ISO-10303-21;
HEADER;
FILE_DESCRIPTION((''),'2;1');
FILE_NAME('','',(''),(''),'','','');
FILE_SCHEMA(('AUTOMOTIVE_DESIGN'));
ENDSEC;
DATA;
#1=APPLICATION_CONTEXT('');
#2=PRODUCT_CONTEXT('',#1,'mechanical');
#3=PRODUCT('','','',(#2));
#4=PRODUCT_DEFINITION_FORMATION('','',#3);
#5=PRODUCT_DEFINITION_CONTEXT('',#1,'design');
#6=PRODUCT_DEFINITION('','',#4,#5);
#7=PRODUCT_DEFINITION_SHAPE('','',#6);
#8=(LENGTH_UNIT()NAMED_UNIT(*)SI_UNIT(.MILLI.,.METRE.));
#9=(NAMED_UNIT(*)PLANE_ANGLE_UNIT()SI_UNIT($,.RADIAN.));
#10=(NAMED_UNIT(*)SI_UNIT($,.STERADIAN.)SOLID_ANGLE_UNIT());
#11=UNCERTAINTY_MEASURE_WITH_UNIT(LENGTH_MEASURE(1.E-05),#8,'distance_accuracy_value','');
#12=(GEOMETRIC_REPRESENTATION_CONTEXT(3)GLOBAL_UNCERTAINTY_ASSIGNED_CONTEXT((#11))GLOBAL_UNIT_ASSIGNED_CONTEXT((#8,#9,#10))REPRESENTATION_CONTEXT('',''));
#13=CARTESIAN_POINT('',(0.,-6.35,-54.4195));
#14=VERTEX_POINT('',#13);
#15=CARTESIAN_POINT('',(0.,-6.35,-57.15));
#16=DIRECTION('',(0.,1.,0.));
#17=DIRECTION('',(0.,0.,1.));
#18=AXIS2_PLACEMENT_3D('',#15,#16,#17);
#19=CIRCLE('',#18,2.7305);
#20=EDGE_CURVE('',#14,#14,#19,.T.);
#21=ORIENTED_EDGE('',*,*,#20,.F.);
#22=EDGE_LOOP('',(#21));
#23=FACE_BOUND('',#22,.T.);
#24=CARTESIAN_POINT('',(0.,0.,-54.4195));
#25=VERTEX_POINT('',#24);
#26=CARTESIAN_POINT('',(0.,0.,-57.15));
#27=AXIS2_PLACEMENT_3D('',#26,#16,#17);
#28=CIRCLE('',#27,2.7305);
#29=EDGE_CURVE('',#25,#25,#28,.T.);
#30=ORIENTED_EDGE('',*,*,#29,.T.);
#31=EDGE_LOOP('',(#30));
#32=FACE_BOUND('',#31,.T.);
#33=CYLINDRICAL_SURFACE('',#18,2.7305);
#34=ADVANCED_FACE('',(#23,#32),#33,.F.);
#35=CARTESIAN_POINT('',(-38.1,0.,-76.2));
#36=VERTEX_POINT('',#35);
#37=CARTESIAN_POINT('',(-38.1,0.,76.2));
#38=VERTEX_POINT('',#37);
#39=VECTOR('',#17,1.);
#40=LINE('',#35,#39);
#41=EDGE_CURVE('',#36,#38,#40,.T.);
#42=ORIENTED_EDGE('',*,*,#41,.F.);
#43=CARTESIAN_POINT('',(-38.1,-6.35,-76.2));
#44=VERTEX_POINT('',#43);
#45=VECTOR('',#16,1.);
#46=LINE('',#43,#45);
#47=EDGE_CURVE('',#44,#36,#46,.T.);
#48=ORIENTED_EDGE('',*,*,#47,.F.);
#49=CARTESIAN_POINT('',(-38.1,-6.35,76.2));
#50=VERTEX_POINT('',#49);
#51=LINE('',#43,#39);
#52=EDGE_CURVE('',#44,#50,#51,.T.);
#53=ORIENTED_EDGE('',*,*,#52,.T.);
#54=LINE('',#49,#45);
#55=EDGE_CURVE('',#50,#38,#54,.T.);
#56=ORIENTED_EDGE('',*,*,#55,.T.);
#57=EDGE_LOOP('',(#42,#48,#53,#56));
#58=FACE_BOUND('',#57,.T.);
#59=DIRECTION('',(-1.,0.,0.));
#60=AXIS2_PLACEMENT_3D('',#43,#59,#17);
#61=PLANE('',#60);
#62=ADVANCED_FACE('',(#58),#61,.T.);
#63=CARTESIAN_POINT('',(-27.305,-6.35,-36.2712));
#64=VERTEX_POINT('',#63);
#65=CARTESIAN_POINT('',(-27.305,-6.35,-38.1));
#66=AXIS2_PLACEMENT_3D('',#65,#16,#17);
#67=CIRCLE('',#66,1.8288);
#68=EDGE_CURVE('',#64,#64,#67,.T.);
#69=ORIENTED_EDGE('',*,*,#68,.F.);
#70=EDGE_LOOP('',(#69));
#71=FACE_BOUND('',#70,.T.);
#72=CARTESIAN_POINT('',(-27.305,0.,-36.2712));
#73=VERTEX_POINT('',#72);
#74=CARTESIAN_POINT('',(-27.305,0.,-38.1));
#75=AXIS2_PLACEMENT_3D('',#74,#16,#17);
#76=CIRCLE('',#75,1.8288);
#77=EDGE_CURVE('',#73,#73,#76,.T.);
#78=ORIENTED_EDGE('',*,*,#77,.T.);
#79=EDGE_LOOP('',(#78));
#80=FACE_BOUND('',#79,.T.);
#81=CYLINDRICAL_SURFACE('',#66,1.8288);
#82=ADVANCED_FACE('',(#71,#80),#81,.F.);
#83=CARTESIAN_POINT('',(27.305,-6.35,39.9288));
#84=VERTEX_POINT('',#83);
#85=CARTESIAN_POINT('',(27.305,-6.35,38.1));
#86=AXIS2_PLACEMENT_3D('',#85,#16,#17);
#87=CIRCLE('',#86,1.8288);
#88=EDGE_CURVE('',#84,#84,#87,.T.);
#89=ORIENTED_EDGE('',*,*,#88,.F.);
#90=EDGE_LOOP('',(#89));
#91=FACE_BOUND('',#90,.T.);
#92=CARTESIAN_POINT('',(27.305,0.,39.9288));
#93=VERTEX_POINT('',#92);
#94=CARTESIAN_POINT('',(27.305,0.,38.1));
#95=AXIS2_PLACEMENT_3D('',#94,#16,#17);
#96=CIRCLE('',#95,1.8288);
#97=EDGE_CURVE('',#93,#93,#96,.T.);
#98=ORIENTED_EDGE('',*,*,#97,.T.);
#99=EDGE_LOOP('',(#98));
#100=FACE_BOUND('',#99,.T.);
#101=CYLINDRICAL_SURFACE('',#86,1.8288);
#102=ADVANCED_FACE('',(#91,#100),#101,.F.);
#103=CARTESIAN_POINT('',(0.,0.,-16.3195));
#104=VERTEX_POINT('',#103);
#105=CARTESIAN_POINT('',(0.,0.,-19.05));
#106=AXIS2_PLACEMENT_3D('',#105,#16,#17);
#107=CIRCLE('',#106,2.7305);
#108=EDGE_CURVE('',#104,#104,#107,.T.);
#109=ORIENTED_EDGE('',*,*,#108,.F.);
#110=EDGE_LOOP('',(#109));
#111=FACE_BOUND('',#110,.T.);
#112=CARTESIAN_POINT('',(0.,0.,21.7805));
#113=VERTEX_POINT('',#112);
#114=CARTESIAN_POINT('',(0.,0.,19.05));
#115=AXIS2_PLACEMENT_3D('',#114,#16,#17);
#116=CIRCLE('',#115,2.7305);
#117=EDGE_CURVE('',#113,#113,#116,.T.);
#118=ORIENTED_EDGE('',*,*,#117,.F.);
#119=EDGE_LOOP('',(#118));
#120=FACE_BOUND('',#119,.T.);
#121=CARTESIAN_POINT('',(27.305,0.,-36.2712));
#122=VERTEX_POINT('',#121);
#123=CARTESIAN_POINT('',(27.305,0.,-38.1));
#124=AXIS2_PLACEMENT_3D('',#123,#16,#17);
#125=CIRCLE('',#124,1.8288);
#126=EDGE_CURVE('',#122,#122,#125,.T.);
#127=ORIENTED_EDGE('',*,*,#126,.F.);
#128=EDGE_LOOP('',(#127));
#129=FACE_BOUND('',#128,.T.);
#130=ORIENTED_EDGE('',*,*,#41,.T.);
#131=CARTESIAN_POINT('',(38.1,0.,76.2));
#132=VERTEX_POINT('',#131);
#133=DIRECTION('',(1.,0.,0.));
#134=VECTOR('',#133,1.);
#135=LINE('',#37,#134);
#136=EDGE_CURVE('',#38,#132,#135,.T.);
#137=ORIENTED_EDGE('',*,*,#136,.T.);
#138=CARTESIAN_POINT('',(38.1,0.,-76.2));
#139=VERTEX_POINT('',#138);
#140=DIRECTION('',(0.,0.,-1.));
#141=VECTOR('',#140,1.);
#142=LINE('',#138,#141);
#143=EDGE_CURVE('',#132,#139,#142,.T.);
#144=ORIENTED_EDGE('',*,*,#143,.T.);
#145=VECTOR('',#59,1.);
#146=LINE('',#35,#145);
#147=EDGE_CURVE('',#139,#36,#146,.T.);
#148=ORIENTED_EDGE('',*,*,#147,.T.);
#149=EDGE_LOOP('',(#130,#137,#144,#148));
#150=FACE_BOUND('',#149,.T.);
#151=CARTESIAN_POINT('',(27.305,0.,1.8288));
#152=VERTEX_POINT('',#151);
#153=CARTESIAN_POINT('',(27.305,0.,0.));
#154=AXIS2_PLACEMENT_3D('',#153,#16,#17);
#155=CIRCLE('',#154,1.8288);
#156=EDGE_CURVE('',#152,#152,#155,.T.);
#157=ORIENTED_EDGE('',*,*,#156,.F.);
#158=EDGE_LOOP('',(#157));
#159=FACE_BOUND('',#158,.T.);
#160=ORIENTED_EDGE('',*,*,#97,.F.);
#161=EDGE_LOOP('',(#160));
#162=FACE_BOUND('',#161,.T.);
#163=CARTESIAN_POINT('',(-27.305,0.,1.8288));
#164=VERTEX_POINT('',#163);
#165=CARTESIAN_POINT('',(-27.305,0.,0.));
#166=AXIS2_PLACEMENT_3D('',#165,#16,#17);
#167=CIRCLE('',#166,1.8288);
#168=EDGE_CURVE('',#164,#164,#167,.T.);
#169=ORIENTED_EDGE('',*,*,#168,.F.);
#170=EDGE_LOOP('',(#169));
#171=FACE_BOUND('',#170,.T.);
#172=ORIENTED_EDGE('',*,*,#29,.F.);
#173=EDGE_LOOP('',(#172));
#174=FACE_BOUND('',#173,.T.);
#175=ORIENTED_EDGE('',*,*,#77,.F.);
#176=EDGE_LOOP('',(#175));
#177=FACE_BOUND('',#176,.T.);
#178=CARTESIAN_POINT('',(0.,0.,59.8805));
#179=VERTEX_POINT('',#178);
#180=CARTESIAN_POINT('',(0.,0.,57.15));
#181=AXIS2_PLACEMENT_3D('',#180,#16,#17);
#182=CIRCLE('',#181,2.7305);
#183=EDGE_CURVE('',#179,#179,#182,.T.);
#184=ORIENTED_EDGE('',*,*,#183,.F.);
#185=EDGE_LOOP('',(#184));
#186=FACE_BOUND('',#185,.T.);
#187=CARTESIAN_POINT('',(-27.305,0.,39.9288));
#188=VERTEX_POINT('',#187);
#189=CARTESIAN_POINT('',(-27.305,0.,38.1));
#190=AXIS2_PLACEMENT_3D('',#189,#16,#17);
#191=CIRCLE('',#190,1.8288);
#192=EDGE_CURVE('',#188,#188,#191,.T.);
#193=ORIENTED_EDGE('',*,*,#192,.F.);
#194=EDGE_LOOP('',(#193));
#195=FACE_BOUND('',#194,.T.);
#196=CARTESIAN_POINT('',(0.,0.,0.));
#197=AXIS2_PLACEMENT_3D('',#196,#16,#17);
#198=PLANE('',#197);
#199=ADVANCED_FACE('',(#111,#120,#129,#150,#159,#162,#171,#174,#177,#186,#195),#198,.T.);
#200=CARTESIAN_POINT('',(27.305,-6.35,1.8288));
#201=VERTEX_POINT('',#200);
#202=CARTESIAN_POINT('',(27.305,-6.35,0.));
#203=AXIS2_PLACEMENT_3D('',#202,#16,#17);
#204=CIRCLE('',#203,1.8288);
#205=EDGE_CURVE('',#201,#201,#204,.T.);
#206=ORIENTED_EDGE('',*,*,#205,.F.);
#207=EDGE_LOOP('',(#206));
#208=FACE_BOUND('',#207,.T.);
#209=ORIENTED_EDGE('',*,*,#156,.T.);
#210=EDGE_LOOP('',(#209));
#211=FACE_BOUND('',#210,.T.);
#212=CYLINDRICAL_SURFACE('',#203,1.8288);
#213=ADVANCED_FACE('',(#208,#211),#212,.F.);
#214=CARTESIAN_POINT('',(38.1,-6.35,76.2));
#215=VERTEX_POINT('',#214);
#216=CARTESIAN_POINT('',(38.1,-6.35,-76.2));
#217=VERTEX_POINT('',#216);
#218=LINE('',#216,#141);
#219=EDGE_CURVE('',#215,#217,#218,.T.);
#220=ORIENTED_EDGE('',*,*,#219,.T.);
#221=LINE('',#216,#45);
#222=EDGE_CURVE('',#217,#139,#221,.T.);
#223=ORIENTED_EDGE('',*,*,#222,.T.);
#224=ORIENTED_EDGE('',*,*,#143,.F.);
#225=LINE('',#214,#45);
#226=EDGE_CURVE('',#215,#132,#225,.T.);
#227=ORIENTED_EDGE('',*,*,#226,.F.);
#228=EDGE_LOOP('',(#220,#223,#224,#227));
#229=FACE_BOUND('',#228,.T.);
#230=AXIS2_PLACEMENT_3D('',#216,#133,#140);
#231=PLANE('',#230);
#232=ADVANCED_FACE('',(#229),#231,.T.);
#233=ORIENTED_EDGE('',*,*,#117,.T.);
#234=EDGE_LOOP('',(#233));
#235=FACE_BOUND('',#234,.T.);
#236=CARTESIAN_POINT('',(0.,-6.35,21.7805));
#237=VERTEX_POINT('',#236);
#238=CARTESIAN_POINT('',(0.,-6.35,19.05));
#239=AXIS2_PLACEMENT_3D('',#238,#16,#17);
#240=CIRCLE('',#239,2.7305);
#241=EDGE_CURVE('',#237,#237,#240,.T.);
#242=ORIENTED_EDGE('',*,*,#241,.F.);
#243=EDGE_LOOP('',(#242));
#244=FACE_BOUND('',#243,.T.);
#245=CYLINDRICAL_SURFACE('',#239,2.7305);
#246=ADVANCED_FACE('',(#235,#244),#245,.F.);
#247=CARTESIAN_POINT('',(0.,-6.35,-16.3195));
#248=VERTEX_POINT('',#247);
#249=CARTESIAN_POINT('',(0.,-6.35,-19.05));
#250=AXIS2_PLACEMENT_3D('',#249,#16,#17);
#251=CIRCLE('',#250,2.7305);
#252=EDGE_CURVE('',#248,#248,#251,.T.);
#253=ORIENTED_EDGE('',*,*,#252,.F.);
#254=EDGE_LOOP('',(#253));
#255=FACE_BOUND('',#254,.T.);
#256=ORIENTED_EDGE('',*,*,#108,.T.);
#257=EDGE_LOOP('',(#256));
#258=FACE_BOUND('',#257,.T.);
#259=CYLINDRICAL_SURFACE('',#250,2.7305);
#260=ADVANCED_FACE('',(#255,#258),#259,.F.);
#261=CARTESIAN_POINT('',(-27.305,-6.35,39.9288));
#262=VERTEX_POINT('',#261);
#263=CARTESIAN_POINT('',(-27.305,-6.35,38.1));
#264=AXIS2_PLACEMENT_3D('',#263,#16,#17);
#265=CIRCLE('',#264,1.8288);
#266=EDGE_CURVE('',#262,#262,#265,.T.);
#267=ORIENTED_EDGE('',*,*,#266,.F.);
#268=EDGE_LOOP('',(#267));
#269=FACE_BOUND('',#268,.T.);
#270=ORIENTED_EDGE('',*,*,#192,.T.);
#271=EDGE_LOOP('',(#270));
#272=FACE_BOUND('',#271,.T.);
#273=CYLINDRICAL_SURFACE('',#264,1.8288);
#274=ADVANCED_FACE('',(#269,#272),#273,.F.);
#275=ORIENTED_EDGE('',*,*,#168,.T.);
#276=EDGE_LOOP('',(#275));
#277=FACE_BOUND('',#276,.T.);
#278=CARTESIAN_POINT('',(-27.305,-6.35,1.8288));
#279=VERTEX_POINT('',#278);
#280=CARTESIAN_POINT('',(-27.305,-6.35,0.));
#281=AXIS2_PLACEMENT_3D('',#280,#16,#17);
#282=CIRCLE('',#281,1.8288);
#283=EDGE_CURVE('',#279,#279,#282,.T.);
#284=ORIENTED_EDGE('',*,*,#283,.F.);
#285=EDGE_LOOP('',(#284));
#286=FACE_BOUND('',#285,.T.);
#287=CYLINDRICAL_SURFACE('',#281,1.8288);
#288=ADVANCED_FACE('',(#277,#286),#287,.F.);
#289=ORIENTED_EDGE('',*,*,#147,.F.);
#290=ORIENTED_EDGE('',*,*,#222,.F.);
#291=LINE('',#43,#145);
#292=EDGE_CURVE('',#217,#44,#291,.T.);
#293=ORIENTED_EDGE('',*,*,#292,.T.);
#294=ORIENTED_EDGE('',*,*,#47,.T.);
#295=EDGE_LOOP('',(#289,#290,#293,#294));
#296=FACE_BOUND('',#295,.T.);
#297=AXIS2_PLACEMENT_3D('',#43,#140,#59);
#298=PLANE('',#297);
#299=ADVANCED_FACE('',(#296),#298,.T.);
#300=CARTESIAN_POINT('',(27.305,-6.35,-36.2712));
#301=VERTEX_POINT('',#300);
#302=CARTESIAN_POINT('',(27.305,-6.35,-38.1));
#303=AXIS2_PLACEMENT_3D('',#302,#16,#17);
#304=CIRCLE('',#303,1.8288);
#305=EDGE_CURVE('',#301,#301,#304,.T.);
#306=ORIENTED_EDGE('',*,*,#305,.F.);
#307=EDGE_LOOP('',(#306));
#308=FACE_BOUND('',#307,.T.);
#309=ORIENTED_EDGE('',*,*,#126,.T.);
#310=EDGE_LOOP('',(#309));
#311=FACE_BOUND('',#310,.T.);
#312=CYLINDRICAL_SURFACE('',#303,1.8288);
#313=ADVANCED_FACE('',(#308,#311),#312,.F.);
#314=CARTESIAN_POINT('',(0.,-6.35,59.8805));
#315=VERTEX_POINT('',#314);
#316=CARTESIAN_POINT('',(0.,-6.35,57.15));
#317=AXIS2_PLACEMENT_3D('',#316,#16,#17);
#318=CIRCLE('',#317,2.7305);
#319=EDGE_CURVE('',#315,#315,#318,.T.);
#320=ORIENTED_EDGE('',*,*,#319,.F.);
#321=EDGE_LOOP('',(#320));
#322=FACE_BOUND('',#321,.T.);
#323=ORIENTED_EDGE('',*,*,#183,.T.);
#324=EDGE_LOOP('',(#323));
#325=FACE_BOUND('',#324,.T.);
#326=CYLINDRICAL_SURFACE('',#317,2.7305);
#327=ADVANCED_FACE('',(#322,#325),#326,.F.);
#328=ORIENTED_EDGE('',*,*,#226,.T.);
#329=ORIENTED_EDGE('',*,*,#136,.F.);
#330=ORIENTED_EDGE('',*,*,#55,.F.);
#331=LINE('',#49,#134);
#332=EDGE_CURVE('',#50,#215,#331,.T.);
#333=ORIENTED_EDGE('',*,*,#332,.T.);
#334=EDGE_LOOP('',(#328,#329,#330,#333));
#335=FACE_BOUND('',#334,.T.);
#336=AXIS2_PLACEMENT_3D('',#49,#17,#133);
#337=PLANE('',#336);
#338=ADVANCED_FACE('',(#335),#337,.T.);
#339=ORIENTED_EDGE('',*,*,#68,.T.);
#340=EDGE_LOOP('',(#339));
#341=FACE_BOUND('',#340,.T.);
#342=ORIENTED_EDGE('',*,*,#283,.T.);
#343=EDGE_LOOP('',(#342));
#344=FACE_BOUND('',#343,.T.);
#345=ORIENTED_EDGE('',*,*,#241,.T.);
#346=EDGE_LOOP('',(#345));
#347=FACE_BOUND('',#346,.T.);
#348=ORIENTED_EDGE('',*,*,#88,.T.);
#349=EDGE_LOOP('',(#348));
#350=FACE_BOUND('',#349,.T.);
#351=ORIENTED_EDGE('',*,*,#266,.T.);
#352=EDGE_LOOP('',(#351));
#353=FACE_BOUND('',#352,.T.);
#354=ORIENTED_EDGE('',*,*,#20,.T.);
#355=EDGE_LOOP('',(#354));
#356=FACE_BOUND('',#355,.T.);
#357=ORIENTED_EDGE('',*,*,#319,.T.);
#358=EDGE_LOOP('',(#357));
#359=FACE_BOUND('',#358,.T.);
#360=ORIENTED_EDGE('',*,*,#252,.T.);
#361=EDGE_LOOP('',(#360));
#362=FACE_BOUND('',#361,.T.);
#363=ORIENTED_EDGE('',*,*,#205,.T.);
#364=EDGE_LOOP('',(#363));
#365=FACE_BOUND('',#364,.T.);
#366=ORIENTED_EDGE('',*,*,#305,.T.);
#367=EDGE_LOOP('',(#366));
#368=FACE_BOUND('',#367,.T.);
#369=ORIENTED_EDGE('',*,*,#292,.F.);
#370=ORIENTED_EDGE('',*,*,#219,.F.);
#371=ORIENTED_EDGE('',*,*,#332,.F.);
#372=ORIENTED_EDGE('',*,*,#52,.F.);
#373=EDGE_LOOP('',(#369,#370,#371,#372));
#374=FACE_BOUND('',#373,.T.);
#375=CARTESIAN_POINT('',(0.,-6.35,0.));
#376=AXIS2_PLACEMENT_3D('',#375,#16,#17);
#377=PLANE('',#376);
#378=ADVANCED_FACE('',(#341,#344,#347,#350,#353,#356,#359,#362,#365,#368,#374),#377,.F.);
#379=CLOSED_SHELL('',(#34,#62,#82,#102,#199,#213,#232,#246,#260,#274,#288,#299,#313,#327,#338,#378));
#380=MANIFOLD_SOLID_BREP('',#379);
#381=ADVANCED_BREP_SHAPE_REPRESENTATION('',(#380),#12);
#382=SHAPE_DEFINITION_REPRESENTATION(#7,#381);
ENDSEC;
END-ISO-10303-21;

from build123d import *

# Parameters (mm, degrees)
SKETCH1_W           = 76.2
SKETCH1_H           = 152.4
SKETCH1_R           = 2.7305
SKETCH1_R_2         = 1.8288
BOSS_EXTRUDE1_DEPTH = 6.35


with BuildPart() as part:
    # Sketch1 → Boss-Extrude1 (new body)
    with BuildSketch(Plane(origin=(0, 0, 0), x_dir=(1, 0, 0), z_dir=(0, 1, 0))):
        Rectangle(SKETCH1_W, SKETCH1_H)
        with Locations((0, 57.15)):
            Circle(SKETCH1_R, mode=Mode.SUBTRACT)
        with Locations((0, 19.05)):
            Circle(SKETCH1_R, mode=Mode.SUBTRACT)
        with Locations((0, -19.05)):
            Circle(SKETCH1_R, mode=Mode.SUBTRACT)
        with Locations((0, -57.15)):
            Circle(SKETCH1_R, mode=Mode.SUBTRACT)
        with Locations((27.305, 38.1)):
            Circle(SKETCH1_R_2, mode=Mode.SUBTRACT)
        with Locations((27.305, 0)):
            Circle(SKETCH1_R_2, mode=Mode.SUBTRACT)
        with Locations((27.305, -38.1)):
            Circle(SKETCH1_R_2, mode=Mode.SUBTRACT)
        with Locations((-27.305, 0)):
            Circle(SKETCH1_R_2, mode=Mode.SUBTRACT)
        with Locations((-27.305, -38.1)):
            Circle(SKETCH1_R_2, mode=Mode.SUBTRACT)
        with Locations((-27.305, 38.1)):
            Circle(SKETCH1_R_2, mode=Mode.SUBTRACT)
    extrude(amount=-BOSS_EXTRUDE1_DEPTH)


solid = part.part
